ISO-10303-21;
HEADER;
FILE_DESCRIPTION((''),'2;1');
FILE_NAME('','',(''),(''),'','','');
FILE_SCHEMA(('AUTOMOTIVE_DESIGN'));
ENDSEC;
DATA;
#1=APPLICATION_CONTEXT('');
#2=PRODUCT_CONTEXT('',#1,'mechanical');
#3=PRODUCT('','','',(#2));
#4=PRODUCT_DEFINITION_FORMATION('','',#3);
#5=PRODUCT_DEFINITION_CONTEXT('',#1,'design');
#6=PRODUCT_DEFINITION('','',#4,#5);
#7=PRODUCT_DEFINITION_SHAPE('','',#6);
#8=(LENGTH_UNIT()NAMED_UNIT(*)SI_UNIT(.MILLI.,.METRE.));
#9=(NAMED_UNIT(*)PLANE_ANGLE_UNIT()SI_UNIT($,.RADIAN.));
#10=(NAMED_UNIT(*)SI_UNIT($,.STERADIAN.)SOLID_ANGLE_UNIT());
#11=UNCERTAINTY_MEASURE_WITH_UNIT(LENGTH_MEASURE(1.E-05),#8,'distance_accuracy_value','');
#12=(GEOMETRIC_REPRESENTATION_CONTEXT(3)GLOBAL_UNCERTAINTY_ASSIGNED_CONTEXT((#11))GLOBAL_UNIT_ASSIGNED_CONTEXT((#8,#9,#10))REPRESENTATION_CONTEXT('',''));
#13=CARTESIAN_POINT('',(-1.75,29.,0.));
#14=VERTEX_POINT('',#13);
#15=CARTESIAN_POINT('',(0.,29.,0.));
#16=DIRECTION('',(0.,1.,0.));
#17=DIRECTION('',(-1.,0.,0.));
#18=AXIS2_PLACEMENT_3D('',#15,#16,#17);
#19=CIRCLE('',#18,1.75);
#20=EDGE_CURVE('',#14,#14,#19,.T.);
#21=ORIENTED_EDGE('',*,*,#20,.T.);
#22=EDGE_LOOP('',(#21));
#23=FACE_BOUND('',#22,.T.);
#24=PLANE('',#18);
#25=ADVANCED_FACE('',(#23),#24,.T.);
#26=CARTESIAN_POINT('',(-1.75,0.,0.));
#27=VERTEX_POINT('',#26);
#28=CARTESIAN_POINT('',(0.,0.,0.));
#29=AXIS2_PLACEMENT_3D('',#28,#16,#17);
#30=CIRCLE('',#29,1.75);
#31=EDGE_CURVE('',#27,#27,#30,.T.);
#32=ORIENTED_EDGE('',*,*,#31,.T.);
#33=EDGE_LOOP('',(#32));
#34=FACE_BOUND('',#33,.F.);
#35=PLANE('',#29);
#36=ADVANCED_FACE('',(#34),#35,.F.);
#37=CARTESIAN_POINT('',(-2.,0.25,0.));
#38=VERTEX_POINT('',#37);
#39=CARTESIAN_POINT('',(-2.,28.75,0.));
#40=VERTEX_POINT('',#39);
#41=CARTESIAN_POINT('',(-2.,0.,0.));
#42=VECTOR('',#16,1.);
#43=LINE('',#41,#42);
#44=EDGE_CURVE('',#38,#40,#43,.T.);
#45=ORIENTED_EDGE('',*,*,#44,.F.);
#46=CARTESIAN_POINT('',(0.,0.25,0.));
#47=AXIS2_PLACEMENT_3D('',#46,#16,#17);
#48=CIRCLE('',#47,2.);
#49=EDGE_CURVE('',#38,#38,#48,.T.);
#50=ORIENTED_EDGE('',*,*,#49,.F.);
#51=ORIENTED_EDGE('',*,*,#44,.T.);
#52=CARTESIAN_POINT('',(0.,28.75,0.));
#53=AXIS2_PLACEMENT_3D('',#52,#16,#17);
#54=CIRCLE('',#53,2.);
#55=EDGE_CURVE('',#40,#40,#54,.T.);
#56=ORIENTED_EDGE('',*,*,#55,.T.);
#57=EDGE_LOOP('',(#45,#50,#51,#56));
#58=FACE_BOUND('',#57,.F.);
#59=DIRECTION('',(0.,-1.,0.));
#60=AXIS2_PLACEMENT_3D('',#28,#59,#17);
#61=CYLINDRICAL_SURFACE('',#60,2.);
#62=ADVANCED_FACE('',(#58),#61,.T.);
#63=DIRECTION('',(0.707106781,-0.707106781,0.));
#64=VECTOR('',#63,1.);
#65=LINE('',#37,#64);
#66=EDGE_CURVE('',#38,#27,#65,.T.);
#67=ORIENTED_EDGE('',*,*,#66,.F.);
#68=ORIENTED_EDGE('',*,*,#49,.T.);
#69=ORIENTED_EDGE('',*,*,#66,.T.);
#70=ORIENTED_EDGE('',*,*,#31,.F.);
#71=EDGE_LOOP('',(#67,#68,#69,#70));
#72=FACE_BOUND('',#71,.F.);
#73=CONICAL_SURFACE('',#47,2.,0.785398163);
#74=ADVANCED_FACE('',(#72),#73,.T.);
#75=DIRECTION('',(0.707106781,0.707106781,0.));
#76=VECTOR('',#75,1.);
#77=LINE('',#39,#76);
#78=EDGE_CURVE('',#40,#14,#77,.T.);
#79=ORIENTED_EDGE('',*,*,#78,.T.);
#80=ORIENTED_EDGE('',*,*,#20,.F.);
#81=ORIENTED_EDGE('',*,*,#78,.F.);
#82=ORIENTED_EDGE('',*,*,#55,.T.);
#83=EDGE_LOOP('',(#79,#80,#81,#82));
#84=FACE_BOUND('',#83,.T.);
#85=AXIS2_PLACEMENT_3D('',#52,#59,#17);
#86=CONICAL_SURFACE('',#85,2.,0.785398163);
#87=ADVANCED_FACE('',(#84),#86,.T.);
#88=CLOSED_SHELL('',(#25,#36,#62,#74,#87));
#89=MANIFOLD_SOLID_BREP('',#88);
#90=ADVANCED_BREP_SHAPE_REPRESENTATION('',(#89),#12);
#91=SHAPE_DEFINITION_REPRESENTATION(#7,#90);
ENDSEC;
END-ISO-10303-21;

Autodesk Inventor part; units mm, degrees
ref_plane "YZ Plane" through (0, 0, 0) normal (1, 0, 0) x (0, 1, 0)
ref_plane "XZ Plane" through (0, 0, 0) normal (0, 1, 0) x (-1, 0, 0)
ref_plane "XY Plane" through (0, 0, 0) normal (0, 0, 1) x (1, 0, 0)
sketch "Sketch1" plane through (0, 0, 0) normal (0, 1, 0) x (-1, 0, 0)
  circle A0 centre (0, 0) radius 2
  dimension "d0" = 4
extrude "Extrusion1" add sketch "Sketch1" along normal blind 29
chamfer "Chamfer1" distance 0.25 angle 45 2 edges at (2, 0, 0) (2, 29, 0)
properties part number "SHAFT"
